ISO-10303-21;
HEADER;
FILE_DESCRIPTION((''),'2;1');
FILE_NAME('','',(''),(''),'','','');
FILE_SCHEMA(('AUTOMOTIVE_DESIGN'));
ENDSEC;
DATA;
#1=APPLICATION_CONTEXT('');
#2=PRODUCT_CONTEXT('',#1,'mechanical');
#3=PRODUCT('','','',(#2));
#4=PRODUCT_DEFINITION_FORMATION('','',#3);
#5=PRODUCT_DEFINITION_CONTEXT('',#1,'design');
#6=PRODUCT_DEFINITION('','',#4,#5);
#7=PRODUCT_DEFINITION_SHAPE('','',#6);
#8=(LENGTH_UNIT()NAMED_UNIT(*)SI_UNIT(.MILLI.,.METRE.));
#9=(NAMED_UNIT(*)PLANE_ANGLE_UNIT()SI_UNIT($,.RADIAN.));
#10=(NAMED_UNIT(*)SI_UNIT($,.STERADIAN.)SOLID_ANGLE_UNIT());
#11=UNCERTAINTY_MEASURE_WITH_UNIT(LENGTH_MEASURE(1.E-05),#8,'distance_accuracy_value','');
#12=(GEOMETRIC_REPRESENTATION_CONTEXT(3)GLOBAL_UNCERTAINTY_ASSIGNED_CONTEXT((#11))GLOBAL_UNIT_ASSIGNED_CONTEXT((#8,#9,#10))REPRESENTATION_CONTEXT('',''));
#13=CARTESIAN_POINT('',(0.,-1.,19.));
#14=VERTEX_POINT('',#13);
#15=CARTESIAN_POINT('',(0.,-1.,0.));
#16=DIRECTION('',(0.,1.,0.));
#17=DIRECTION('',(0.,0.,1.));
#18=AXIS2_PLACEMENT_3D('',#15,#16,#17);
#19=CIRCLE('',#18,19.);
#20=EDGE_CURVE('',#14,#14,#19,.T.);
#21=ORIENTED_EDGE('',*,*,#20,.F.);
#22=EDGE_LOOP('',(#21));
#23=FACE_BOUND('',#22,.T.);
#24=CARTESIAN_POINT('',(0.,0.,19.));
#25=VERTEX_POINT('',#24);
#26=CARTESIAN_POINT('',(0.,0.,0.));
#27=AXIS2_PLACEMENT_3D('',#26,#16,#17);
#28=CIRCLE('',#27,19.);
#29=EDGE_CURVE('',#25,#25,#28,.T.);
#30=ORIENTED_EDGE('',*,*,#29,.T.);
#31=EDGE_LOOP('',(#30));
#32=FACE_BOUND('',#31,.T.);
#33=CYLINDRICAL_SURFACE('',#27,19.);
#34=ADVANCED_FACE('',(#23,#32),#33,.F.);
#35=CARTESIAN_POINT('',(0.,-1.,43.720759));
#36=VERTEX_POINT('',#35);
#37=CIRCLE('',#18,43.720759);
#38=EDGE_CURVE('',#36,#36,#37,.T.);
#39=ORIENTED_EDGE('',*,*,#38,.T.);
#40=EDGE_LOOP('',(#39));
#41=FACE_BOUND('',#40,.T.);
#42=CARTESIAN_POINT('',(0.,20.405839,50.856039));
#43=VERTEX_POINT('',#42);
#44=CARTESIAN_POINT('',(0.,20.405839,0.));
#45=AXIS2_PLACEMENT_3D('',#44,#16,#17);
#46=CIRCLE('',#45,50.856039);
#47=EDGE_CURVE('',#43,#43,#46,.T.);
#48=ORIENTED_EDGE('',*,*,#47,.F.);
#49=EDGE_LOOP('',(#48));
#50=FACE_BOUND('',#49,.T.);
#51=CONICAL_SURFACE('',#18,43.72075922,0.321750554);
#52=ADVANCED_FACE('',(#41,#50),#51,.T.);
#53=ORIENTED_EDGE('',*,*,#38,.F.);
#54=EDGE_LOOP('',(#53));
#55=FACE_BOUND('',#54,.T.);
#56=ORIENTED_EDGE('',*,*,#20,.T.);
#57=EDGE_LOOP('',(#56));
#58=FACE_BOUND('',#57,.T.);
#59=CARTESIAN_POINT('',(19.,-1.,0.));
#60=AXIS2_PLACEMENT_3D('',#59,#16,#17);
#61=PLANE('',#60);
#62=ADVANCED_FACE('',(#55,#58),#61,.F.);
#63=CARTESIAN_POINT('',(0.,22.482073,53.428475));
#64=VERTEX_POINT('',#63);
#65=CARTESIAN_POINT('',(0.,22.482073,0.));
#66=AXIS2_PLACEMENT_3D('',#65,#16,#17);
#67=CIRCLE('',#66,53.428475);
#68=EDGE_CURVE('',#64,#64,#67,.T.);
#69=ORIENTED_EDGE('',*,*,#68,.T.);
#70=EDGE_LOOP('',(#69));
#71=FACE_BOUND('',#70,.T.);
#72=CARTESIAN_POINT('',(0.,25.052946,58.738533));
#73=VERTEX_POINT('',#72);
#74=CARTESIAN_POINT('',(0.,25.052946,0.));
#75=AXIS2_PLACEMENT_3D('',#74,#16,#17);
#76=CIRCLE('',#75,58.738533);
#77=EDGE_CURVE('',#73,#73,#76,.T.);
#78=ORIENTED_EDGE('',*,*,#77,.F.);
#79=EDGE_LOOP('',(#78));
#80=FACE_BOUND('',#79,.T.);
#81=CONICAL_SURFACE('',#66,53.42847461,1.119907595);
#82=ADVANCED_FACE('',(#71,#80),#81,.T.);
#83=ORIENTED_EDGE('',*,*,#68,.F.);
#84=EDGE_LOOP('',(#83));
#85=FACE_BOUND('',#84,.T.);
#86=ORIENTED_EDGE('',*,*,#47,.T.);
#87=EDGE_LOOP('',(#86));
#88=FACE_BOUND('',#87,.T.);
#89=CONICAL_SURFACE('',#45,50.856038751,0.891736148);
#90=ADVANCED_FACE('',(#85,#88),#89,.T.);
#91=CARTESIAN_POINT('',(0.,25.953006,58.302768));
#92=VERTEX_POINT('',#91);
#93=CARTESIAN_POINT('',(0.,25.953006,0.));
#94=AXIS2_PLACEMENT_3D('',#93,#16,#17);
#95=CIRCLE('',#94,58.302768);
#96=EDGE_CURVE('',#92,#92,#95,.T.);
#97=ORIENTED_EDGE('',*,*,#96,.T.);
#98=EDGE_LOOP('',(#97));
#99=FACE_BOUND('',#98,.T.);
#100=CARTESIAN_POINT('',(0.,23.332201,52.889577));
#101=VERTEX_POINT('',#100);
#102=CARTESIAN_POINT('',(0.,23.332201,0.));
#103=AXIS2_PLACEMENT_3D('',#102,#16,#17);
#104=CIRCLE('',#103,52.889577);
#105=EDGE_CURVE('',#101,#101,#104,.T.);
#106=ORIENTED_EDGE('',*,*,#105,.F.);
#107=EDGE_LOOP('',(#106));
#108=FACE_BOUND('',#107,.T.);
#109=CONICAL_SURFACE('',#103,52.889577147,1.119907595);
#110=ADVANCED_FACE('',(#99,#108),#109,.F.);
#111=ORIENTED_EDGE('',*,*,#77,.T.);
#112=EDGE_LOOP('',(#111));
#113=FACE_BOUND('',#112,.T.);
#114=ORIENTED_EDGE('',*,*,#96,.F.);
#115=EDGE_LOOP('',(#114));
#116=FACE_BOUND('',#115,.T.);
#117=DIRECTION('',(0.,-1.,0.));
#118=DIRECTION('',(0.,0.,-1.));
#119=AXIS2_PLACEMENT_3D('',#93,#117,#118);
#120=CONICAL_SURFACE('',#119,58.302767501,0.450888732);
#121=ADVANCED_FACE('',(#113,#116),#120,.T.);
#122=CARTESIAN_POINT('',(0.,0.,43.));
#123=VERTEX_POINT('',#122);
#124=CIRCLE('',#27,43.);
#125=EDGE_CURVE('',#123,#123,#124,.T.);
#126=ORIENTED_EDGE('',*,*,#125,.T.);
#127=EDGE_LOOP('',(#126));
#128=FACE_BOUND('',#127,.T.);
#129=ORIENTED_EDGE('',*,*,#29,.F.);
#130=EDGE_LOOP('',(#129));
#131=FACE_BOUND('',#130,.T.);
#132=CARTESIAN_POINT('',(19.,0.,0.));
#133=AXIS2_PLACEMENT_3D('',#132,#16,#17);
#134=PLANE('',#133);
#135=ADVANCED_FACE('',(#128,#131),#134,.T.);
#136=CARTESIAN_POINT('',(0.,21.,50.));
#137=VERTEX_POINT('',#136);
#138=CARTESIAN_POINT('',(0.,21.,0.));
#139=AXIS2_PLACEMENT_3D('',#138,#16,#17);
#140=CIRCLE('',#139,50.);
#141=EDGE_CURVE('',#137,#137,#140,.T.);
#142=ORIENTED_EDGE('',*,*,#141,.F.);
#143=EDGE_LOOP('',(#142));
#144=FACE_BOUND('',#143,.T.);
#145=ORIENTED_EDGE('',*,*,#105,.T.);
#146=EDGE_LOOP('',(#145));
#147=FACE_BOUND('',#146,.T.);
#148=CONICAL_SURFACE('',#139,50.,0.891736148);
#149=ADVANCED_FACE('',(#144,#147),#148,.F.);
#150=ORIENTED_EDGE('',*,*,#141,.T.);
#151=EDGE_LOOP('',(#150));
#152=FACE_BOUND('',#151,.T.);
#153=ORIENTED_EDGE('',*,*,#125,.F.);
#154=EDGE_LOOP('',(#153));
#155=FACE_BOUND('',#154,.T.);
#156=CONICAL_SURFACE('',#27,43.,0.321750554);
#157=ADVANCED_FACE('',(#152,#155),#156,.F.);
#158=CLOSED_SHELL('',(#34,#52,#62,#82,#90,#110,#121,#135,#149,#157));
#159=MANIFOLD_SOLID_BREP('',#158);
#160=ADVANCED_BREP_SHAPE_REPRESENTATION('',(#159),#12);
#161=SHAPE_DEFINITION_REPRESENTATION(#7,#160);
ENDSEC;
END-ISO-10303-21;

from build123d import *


with BuildPart() as part:
    # Эскиз1 → Повернуть-Тонкостенный1 (revolve)
    with BuildSketch(Plane.XY, mode=Mode.PRIVATE) as revolve_1_sk:
        Polygon((19, 0), (43, 0), (50, 21), (52.889577147, 23.332201276), (58.302767501, 25.953006302), (58.738533119, 25.052946123), (53.42847461, 22.482072549), (50.856038751, 20.405838593), (43.72075922, -1), (19, -1), align=None)
    revolve(revolve_1_sk.sketch.rotate(Axis((0, 0, 0), (0, -1, 0)), 90), axis=Axis((0, 0, 0), (0, -1, 0)))


solid = part.part
